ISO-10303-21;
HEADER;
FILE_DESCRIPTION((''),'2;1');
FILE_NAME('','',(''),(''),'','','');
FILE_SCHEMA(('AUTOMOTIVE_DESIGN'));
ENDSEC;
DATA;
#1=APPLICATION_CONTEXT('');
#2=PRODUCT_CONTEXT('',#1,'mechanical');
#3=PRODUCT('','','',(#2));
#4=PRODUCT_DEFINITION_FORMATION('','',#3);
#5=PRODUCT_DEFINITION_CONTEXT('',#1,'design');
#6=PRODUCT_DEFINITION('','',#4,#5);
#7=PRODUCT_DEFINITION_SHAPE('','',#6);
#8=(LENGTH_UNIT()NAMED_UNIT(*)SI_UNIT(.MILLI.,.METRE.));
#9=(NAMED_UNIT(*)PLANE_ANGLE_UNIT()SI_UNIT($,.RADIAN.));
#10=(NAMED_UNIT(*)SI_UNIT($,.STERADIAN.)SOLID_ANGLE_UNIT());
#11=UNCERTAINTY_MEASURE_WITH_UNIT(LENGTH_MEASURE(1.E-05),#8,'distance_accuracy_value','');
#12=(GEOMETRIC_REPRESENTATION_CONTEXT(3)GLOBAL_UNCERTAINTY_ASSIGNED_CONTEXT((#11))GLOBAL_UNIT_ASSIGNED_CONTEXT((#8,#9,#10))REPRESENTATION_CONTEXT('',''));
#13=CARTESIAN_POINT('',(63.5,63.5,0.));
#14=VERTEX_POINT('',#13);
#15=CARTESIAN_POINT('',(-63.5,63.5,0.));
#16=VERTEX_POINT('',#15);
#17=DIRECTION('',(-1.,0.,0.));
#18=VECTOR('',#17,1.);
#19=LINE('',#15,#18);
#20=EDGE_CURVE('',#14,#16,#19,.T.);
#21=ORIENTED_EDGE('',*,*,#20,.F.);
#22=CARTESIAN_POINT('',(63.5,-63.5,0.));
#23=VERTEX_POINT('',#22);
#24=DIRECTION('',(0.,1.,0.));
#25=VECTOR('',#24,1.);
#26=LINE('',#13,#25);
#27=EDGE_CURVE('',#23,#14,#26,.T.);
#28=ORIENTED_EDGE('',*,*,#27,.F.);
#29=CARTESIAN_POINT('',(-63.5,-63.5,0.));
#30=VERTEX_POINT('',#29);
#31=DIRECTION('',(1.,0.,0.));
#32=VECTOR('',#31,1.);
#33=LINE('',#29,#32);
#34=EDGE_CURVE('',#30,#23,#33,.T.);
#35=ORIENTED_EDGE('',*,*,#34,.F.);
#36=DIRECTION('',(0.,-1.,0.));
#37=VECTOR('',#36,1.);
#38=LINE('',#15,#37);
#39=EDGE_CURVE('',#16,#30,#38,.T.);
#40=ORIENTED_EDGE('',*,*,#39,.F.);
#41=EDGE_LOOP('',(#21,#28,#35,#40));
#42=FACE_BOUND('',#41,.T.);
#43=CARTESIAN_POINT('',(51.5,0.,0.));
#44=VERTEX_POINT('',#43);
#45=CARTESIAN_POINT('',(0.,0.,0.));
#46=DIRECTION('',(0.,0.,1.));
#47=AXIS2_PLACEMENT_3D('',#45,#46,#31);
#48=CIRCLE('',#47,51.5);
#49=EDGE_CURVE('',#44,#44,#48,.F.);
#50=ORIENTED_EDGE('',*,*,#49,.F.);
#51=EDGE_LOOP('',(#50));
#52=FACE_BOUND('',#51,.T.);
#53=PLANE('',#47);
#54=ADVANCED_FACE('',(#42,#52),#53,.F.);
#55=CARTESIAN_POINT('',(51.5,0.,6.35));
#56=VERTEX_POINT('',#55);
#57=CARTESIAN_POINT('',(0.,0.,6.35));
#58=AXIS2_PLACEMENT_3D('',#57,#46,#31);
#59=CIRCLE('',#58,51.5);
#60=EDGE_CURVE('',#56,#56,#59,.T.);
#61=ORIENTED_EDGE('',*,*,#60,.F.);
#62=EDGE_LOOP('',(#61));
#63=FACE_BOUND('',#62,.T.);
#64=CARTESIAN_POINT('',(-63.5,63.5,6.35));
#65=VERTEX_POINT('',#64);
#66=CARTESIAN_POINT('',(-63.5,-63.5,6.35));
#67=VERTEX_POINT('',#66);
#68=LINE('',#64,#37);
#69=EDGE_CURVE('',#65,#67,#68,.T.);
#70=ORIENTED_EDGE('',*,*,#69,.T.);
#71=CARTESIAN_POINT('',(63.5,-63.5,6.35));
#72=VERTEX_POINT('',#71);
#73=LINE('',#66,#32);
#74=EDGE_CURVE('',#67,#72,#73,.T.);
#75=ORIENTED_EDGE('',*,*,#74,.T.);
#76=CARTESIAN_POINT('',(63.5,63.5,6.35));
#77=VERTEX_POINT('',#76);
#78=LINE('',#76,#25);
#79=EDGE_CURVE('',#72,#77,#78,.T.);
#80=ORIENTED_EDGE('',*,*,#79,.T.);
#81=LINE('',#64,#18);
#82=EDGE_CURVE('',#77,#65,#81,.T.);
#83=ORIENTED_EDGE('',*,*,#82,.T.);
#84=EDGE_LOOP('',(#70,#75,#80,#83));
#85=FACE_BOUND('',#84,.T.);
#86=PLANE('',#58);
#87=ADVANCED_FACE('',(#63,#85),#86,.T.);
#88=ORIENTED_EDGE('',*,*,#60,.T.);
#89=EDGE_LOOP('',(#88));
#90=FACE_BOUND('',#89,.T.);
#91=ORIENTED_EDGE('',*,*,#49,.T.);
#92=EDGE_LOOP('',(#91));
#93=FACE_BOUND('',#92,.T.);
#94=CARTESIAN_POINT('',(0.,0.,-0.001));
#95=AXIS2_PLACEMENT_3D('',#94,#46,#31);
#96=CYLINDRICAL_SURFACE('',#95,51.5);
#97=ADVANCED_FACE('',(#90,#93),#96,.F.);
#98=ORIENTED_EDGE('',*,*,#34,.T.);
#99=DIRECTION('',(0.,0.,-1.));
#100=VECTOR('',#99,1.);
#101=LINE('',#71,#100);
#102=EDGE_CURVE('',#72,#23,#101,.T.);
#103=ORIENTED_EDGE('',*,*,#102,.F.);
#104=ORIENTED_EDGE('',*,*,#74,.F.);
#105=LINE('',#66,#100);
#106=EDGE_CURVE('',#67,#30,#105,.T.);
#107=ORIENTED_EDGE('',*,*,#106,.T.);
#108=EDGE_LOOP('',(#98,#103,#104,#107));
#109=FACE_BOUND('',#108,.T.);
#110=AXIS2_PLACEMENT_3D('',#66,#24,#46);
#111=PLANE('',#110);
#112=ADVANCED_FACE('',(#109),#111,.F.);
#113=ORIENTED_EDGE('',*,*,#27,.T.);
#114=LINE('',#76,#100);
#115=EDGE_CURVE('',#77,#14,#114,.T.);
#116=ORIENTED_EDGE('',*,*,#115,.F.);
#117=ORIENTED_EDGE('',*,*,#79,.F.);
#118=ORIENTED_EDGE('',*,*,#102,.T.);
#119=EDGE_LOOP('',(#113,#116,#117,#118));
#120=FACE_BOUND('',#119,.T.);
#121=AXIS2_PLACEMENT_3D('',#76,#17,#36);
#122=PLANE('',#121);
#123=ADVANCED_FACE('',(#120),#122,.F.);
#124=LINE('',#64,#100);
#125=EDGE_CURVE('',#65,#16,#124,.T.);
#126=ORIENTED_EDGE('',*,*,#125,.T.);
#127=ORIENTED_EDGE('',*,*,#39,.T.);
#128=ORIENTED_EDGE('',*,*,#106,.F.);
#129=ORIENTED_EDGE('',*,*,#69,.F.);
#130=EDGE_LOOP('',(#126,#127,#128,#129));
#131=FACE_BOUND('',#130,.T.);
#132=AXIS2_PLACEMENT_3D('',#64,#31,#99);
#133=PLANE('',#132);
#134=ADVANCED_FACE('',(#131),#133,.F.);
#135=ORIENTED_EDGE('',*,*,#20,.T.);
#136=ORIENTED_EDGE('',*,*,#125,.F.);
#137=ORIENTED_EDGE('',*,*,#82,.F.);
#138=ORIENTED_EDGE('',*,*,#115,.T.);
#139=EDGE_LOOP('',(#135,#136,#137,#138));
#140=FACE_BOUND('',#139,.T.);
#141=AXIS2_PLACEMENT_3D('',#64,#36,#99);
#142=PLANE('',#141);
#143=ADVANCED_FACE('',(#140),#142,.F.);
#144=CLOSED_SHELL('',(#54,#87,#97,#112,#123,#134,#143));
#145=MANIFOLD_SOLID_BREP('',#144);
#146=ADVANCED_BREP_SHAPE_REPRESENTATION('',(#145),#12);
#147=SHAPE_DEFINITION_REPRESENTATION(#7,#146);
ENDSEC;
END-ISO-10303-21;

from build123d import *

# Parameters (mm, degrees)
SKETCH1_W           = 127
SKETCH1_H           = 127
BOSS_EXTRUDE1_DEPTH = 6.35
CUT_EXTRUDE1_REACH  = 8.35
SKETCH2_R           = 51.5


with BuildPart() as part:
    # Sketch1 → Boss-Extrude1 (new body)
    with BuildSketch(Plane.XY):
        Rectangle(SKETCH1_W, SKETCH1_H)
    extrude(amount=BOSS_EXTRUDE1_DEPTH)

    # Sketch2 → Cut-Extrude1 (cut, up to next)
    with BuildSketch(Plane.XY.offset(6.35), mode=Mode.PRIVATE) as cut_extrude1_sk1:
        Circle(SKETCH2_R)
    cut_extrude1_tool1 = extrude(cut_extrude1_sk1.sketch, amount=-CUT_EXTRUDE1_REACH, mode=Mode.PRIVATE) & part.part
    add(cut_extrude1_tool1.solids().sort_by_distance((0, 0, 6.35))[0], mode=Mode.SUBTRACT)


solid = part.part
